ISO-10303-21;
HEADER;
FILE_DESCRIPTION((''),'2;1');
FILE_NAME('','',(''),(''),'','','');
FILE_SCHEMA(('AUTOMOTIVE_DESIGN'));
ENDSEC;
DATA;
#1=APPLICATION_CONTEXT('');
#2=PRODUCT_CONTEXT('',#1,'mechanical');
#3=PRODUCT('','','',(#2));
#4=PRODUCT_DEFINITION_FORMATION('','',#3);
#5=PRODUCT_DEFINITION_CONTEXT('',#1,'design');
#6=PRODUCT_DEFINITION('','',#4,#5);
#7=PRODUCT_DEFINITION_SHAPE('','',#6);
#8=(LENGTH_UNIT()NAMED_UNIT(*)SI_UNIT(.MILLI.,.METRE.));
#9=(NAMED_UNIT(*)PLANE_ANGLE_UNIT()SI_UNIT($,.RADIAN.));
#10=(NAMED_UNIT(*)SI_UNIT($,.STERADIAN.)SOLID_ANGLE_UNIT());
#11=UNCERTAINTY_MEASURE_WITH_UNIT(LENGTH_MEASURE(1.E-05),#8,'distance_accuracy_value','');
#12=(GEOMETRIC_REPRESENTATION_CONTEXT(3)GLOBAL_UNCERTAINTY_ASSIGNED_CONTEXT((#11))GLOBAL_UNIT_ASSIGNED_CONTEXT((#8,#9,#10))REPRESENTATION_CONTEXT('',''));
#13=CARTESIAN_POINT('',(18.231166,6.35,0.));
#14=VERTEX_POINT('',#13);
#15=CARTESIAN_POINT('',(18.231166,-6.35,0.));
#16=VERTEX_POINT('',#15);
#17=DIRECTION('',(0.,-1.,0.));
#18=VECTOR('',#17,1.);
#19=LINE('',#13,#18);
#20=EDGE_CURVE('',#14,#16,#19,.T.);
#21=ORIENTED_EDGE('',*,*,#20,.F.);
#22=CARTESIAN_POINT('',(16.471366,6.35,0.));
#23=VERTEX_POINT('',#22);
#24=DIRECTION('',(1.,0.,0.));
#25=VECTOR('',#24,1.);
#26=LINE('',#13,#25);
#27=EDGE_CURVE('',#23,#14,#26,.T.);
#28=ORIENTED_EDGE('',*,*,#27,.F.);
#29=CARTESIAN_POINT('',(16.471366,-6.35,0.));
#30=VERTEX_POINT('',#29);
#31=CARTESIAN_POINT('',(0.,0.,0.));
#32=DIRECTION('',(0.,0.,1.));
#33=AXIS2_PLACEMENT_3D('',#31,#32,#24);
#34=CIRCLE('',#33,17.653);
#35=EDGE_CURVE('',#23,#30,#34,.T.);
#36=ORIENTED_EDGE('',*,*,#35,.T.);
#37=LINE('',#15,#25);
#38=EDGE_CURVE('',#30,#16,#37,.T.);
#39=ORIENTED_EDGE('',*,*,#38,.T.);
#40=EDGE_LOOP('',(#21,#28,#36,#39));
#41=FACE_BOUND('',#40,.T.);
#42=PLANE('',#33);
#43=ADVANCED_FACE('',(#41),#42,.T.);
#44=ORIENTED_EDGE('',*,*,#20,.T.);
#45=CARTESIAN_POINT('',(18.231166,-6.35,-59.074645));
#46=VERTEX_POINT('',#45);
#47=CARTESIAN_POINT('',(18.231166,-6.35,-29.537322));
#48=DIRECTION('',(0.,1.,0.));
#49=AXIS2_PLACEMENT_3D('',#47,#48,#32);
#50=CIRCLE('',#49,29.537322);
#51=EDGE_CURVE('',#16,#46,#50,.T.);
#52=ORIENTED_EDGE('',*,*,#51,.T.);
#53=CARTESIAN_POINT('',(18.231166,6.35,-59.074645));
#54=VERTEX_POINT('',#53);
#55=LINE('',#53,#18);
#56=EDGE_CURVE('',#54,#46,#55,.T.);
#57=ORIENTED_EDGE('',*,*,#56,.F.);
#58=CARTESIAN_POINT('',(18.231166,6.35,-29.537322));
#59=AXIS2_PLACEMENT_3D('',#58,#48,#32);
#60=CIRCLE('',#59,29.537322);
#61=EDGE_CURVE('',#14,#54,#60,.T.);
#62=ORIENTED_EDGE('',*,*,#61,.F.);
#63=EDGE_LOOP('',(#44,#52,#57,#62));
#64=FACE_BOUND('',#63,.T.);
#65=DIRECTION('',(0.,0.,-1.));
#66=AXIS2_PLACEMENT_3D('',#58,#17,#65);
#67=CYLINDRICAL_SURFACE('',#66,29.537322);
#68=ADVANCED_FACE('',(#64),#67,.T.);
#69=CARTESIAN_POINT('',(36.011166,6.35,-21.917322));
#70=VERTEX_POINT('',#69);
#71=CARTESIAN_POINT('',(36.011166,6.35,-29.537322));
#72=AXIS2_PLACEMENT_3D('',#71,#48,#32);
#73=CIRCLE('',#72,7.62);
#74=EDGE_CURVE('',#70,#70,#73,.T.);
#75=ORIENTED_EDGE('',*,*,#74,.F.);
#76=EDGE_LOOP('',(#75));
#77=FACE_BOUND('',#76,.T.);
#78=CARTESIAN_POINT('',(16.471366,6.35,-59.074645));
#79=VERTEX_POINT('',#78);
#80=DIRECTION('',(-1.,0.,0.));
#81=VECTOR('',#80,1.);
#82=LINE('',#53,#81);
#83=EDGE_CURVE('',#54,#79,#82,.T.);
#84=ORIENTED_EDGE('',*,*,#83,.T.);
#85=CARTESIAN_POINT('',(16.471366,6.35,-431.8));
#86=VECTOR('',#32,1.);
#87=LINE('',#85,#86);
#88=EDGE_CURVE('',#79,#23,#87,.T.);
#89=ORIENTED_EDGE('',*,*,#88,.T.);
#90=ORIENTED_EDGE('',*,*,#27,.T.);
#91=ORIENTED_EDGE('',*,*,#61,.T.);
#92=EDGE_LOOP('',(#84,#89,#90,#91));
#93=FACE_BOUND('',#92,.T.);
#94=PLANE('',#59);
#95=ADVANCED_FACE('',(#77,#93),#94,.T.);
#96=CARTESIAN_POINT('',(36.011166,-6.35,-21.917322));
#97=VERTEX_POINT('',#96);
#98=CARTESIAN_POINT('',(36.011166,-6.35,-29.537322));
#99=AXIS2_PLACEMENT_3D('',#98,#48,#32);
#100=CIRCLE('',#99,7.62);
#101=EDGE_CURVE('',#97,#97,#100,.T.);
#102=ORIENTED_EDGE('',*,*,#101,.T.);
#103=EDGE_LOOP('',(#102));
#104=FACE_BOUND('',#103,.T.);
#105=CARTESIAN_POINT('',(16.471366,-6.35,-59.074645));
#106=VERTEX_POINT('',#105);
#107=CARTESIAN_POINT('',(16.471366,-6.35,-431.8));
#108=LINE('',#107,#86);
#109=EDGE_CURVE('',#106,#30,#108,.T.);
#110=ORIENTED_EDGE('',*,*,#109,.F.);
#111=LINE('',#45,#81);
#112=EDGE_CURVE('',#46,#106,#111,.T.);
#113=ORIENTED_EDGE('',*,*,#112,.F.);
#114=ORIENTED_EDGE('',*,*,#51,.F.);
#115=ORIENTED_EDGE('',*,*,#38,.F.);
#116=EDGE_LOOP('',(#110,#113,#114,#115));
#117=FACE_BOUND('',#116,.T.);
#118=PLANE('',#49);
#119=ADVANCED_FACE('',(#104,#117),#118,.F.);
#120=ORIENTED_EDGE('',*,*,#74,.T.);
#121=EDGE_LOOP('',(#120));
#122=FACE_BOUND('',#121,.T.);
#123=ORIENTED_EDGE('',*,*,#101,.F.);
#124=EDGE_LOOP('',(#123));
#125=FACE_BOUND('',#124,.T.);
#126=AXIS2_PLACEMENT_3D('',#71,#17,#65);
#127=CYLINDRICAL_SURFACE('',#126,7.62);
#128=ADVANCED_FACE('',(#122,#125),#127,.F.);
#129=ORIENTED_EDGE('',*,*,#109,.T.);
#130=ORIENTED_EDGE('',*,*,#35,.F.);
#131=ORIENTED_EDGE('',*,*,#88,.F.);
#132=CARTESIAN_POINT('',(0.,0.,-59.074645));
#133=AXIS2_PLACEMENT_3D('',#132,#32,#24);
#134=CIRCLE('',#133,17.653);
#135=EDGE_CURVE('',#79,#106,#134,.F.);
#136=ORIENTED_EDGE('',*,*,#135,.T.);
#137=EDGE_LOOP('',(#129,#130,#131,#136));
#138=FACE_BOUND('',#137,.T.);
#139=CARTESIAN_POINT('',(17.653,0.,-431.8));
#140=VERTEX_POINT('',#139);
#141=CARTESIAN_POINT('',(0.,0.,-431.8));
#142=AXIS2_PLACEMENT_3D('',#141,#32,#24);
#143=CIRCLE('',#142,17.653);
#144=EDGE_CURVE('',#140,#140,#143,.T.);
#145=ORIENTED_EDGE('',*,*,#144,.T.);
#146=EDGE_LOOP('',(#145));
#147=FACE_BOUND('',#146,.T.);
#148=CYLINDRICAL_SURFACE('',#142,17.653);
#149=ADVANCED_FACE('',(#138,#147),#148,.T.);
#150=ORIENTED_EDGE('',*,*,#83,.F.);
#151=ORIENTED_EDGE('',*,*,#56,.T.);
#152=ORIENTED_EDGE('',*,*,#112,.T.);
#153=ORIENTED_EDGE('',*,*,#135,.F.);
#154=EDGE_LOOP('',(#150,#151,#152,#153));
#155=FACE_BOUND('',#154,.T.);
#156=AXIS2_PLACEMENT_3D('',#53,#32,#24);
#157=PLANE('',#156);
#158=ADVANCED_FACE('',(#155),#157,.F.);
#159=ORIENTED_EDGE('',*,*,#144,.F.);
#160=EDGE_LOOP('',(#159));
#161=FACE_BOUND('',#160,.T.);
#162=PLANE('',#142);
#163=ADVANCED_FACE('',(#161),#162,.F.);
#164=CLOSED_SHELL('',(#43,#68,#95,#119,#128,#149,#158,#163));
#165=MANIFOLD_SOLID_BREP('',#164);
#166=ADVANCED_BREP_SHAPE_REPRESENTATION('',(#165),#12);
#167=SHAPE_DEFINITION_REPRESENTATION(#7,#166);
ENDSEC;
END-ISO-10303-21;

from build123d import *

# Parameters (mm, degrees)
SKETCH1_R                = 17.653
BASE_EXTRUDE_DEPTH       = 431.8
BOSS_EXTRUDE1_DEPTH      = 6.35
BOSS_EXTRUDE1_DEPTH_BACK = 6.35
SKETCH4_R                = 7.62


with BuildPart() as part:
    # Sketch1 → Base-Extrude (new body)
    with BuildSketch(Plane.XY):
        Circle(SKETCH1_R)
    extrude(amount=-BASE_EXTRUDE_DEPTH)

    # Sketch4 → Boss-Extrude1 (add, two sides: drawn at the far end of the back side and taken through both)
    with BuildSketch(Plane(origin=(0, 0, 0), x_dir=(-1, 0, 0), z_dir=(0, 1, 0)).offset(-BOSS_EXTRUDE1_DEPTH_BACK)):
        with BuildLine():
            Line((-9.256612772, -59.074644757), (-9.256612772, 0))
            Line((-9.256612772, 0), (-18.231166151, 0))
            ThreePointArc((-18.231166151, 0), (-47.768488529, -29.537322378), (-18.231166151, -59.074644757))
            Line((-18.231166151, -59.074644757), (-9.256612772, -59.074644757))
        make_face()
        with Locations(Location((-36.011166151, -29.537322378, 0), (0, 0, 90))):
            Circle(SKETCH4_R, mode=Mode.SUBTRACT)
    extrude(amount=BOSS_EXTRUDE1_DEPTH + BOSS_EXTRUDE1_DEPTH_BACK)


solid = part.part
